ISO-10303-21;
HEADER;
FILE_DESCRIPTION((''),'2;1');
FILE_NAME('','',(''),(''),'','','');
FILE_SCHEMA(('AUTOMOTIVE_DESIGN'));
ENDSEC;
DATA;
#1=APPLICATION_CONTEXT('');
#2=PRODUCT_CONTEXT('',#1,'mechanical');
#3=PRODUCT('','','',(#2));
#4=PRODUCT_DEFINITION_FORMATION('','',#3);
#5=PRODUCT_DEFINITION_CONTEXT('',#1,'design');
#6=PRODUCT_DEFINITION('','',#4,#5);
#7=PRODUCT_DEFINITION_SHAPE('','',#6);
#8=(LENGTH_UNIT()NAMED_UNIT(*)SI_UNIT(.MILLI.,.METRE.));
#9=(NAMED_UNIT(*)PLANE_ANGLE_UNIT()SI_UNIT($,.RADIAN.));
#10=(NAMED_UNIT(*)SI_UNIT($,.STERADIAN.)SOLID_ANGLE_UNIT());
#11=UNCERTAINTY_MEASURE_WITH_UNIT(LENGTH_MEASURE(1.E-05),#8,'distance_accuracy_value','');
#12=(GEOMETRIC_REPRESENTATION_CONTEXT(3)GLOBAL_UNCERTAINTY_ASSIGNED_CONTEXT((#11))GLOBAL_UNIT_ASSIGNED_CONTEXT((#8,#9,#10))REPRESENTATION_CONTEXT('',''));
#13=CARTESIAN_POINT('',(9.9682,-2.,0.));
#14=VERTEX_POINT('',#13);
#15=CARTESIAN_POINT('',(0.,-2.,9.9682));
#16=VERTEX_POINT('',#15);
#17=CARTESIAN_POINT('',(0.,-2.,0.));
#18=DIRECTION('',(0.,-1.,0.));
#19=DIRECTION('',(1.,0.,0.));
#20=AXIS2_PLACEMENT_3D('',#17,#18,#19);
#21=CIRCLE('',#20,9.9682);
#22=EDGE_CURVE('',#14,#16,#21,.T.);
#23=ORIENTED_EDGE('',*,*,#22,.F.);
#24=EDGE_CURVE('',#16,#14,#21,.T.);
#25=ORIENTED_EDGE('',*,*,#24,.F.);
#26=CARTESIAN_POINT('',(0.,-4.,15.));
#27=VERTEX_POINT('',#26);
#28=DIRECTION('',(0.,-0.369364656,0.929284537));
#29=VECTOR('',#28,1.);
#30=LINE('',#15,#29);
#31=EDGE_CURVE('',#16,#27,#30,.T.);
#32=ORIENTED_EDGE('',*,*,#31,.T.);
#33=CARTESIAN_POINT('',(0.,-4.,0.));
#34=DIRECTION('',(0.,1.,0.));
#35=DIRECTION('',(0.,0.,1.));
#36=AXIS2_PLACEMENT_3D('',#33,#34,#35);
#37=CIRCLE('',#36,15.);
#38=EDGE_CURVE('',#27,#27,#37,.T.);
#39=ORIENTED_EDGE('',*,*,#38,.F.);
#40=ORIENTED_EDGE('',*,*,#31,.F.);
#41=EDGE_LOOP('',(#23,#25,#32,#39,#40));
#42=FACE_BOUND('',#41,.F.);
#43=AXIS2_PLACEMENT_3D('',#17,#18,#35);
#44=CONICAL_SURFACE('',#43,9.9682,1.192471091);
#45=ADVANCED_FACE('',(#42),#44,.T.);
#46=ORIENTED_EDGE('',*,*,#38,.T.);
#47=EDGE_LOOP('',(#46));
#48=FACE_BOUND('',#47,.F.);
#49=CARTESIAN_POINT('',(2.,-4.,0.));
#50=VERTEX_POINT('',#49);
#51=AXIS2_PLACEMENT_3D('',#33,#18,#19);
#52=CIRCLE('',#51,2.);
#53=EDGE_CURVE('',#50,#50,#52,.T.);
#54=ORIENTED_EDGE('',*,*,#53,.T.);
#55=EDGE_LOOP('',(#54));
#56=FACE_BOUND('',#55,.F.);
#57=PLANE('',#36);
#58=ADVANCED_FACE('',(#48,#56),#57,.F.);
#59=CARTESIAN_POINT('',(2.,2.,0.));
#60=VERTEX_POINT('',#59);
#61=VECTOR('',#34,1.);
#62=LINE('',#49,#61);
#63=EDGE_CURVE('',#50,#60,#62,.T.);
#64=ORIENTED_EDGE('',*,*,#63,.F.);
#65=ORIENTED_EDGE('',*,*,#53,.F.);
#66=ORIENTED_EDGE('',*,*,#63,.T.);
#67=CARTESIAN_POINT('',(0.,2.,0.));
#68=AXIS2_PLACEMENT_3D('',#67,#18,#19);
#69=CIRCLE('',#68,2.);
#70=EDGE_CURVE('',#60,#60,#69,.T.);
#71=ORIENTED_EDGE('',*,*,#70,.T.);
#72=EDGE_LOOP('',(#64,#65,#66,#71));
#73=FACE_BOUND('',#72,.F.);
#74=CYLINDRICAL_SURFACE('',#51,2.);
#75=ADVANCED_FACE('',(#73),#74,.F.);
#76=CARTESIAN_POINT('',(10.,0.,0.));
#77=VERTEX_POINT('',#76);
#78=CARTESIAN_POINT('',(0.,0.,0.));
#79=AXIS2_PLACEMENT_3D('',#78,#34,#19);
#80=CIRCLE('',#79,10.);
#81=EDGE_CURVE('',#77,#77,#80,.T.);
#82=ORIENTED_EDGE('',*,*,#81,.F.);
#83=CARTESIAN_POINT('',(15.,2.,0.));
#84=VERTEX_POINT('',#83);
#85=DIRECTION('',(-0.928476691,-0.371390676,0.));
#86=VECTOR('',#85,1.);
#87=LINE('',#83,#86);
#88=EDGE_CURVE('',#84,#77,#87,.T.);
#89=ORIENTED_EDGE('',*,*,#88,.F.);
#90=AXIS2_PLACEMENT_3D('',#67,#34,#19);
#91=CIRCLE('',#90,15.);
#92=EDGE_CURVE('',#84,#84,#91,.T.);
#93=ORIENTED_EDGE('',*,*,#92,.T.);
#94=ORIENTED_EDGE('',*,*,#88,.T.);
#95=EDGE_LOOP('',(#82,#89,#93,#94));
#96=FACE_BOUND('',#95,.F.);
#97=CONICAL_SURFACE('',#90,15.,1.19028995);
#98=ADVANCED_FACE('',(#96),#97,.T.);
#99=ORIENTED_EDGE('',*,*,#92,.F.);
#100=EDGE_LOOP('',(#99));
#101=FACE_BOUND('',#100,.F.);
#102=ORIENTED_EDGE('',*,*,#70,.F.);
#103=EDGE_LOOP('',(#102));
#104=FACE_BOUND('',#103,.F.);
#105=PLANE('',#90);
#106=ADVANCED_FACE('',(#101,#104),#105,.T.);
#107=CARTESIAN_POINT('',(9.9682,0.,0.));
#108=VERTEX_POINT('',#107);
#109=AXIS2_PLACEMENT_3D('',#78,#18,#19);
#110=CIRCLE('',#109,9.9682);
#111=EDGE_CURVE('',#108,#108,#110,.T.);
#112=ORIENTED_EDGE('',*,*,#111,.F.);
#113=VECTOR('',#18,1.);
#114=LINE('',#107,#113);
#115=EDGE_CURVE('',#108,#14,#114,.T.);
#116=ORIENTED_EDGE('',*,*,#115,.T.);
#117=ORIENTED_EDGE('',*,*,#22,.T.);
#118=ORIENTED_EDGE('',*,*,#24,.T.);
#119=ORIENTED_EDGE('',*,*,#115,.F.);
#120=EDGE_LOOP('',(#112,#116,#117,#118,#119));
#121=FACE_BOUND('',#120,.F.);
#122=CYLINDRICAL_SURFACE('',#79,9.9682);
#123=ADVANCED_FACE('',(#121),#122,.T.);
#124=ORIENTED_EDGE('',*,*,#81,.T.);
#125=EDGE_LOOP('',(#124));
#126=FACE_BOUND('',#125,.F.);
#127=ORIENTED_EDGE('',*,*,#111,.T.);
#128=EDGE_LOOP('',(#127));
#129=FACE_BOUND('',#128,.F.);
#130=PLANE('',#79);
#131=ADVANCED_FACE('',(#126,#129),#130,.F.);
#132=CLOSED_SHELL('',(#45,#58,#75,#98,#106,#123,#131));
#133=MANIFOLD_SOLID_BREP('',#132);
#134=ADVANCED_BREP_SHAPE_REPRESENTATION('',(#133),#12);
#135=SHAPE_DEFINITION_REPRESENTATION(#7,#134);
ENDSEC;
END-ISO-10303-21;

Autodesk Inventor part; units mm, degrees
ref_plane "YZ Plane" through (0, 0, 0) normal (1, 0, 0) x (0, 1, 0)
ref_plane "XZ Plane" through (0, 0, 0) normal (0, 1, 0) x (-1, 0, 0)
ref_plane "XY Plane" through (0, 0, 0) normal (0, 0, 1) x (1, 0, 0)
sketch "Esquisse1" plane through (0, 0, 0) normal (0, 0, 1) x (1, 0, 0)
  line L0 (0, 0) -> (0, 2)
  line L1 (0, 2) -> (15, 2)
  line L2 (15, 2) -> (10, 0)
  line L3 (10, 0) -> (0, 0)
  line L4 (0, 0) -> (3.6066, 0) construction
  dimension "d0" = 2
  dimension "d1" = 10
  dimension "d2" = 15
revolve "Révolution1" add sketch "Esquisse1" angle 360 about axis through (0, 0, 0) along (0, 1, 0)
sketch "Esquisse2" plane through (0, 0, 0) normal (0, -1, 0) x (1, 0, 0)
  circle A0 centre (0, 0) radius 9.9682
extrude "Extrusion1" add sketch "Esquisse2" along normal blind 2
sketch "Esquisse3" plane through (0, 0, 0) normal (1, 0, 0) x (0, 1, 0)
  line L0 (-2, 9.9682) -> (-2, -9.9682) projected
  line L1 (-2, 0) -> (-2, 9.9682)
  line L2 (-2, 9.9682) -> (-4, 15)
  line L3 (-4, 15) -> (-4, 0)
  line L4 (-4, 0) -> (-2, 0)
  point P0 (0, 0)
  dimension "d6" = 2
  dimension "d7" = 15
revolve "Révolution2" add sketch "Esquisse3" angle 360 about axis through (0, -4, 0) along (0, 1, 0)
sketch "Esquisse4" plane through (0, -4, 0) normal (0, -1, 0) x (1, 0, 0)
  circle A0 centre (0, 0) radius 2
  dimension "d9" = 4
extrude "Extrusion2" cut sketch "Esquisse4" against normal blind 6
properties part number "Hand polley" material "Plastique ABS"
